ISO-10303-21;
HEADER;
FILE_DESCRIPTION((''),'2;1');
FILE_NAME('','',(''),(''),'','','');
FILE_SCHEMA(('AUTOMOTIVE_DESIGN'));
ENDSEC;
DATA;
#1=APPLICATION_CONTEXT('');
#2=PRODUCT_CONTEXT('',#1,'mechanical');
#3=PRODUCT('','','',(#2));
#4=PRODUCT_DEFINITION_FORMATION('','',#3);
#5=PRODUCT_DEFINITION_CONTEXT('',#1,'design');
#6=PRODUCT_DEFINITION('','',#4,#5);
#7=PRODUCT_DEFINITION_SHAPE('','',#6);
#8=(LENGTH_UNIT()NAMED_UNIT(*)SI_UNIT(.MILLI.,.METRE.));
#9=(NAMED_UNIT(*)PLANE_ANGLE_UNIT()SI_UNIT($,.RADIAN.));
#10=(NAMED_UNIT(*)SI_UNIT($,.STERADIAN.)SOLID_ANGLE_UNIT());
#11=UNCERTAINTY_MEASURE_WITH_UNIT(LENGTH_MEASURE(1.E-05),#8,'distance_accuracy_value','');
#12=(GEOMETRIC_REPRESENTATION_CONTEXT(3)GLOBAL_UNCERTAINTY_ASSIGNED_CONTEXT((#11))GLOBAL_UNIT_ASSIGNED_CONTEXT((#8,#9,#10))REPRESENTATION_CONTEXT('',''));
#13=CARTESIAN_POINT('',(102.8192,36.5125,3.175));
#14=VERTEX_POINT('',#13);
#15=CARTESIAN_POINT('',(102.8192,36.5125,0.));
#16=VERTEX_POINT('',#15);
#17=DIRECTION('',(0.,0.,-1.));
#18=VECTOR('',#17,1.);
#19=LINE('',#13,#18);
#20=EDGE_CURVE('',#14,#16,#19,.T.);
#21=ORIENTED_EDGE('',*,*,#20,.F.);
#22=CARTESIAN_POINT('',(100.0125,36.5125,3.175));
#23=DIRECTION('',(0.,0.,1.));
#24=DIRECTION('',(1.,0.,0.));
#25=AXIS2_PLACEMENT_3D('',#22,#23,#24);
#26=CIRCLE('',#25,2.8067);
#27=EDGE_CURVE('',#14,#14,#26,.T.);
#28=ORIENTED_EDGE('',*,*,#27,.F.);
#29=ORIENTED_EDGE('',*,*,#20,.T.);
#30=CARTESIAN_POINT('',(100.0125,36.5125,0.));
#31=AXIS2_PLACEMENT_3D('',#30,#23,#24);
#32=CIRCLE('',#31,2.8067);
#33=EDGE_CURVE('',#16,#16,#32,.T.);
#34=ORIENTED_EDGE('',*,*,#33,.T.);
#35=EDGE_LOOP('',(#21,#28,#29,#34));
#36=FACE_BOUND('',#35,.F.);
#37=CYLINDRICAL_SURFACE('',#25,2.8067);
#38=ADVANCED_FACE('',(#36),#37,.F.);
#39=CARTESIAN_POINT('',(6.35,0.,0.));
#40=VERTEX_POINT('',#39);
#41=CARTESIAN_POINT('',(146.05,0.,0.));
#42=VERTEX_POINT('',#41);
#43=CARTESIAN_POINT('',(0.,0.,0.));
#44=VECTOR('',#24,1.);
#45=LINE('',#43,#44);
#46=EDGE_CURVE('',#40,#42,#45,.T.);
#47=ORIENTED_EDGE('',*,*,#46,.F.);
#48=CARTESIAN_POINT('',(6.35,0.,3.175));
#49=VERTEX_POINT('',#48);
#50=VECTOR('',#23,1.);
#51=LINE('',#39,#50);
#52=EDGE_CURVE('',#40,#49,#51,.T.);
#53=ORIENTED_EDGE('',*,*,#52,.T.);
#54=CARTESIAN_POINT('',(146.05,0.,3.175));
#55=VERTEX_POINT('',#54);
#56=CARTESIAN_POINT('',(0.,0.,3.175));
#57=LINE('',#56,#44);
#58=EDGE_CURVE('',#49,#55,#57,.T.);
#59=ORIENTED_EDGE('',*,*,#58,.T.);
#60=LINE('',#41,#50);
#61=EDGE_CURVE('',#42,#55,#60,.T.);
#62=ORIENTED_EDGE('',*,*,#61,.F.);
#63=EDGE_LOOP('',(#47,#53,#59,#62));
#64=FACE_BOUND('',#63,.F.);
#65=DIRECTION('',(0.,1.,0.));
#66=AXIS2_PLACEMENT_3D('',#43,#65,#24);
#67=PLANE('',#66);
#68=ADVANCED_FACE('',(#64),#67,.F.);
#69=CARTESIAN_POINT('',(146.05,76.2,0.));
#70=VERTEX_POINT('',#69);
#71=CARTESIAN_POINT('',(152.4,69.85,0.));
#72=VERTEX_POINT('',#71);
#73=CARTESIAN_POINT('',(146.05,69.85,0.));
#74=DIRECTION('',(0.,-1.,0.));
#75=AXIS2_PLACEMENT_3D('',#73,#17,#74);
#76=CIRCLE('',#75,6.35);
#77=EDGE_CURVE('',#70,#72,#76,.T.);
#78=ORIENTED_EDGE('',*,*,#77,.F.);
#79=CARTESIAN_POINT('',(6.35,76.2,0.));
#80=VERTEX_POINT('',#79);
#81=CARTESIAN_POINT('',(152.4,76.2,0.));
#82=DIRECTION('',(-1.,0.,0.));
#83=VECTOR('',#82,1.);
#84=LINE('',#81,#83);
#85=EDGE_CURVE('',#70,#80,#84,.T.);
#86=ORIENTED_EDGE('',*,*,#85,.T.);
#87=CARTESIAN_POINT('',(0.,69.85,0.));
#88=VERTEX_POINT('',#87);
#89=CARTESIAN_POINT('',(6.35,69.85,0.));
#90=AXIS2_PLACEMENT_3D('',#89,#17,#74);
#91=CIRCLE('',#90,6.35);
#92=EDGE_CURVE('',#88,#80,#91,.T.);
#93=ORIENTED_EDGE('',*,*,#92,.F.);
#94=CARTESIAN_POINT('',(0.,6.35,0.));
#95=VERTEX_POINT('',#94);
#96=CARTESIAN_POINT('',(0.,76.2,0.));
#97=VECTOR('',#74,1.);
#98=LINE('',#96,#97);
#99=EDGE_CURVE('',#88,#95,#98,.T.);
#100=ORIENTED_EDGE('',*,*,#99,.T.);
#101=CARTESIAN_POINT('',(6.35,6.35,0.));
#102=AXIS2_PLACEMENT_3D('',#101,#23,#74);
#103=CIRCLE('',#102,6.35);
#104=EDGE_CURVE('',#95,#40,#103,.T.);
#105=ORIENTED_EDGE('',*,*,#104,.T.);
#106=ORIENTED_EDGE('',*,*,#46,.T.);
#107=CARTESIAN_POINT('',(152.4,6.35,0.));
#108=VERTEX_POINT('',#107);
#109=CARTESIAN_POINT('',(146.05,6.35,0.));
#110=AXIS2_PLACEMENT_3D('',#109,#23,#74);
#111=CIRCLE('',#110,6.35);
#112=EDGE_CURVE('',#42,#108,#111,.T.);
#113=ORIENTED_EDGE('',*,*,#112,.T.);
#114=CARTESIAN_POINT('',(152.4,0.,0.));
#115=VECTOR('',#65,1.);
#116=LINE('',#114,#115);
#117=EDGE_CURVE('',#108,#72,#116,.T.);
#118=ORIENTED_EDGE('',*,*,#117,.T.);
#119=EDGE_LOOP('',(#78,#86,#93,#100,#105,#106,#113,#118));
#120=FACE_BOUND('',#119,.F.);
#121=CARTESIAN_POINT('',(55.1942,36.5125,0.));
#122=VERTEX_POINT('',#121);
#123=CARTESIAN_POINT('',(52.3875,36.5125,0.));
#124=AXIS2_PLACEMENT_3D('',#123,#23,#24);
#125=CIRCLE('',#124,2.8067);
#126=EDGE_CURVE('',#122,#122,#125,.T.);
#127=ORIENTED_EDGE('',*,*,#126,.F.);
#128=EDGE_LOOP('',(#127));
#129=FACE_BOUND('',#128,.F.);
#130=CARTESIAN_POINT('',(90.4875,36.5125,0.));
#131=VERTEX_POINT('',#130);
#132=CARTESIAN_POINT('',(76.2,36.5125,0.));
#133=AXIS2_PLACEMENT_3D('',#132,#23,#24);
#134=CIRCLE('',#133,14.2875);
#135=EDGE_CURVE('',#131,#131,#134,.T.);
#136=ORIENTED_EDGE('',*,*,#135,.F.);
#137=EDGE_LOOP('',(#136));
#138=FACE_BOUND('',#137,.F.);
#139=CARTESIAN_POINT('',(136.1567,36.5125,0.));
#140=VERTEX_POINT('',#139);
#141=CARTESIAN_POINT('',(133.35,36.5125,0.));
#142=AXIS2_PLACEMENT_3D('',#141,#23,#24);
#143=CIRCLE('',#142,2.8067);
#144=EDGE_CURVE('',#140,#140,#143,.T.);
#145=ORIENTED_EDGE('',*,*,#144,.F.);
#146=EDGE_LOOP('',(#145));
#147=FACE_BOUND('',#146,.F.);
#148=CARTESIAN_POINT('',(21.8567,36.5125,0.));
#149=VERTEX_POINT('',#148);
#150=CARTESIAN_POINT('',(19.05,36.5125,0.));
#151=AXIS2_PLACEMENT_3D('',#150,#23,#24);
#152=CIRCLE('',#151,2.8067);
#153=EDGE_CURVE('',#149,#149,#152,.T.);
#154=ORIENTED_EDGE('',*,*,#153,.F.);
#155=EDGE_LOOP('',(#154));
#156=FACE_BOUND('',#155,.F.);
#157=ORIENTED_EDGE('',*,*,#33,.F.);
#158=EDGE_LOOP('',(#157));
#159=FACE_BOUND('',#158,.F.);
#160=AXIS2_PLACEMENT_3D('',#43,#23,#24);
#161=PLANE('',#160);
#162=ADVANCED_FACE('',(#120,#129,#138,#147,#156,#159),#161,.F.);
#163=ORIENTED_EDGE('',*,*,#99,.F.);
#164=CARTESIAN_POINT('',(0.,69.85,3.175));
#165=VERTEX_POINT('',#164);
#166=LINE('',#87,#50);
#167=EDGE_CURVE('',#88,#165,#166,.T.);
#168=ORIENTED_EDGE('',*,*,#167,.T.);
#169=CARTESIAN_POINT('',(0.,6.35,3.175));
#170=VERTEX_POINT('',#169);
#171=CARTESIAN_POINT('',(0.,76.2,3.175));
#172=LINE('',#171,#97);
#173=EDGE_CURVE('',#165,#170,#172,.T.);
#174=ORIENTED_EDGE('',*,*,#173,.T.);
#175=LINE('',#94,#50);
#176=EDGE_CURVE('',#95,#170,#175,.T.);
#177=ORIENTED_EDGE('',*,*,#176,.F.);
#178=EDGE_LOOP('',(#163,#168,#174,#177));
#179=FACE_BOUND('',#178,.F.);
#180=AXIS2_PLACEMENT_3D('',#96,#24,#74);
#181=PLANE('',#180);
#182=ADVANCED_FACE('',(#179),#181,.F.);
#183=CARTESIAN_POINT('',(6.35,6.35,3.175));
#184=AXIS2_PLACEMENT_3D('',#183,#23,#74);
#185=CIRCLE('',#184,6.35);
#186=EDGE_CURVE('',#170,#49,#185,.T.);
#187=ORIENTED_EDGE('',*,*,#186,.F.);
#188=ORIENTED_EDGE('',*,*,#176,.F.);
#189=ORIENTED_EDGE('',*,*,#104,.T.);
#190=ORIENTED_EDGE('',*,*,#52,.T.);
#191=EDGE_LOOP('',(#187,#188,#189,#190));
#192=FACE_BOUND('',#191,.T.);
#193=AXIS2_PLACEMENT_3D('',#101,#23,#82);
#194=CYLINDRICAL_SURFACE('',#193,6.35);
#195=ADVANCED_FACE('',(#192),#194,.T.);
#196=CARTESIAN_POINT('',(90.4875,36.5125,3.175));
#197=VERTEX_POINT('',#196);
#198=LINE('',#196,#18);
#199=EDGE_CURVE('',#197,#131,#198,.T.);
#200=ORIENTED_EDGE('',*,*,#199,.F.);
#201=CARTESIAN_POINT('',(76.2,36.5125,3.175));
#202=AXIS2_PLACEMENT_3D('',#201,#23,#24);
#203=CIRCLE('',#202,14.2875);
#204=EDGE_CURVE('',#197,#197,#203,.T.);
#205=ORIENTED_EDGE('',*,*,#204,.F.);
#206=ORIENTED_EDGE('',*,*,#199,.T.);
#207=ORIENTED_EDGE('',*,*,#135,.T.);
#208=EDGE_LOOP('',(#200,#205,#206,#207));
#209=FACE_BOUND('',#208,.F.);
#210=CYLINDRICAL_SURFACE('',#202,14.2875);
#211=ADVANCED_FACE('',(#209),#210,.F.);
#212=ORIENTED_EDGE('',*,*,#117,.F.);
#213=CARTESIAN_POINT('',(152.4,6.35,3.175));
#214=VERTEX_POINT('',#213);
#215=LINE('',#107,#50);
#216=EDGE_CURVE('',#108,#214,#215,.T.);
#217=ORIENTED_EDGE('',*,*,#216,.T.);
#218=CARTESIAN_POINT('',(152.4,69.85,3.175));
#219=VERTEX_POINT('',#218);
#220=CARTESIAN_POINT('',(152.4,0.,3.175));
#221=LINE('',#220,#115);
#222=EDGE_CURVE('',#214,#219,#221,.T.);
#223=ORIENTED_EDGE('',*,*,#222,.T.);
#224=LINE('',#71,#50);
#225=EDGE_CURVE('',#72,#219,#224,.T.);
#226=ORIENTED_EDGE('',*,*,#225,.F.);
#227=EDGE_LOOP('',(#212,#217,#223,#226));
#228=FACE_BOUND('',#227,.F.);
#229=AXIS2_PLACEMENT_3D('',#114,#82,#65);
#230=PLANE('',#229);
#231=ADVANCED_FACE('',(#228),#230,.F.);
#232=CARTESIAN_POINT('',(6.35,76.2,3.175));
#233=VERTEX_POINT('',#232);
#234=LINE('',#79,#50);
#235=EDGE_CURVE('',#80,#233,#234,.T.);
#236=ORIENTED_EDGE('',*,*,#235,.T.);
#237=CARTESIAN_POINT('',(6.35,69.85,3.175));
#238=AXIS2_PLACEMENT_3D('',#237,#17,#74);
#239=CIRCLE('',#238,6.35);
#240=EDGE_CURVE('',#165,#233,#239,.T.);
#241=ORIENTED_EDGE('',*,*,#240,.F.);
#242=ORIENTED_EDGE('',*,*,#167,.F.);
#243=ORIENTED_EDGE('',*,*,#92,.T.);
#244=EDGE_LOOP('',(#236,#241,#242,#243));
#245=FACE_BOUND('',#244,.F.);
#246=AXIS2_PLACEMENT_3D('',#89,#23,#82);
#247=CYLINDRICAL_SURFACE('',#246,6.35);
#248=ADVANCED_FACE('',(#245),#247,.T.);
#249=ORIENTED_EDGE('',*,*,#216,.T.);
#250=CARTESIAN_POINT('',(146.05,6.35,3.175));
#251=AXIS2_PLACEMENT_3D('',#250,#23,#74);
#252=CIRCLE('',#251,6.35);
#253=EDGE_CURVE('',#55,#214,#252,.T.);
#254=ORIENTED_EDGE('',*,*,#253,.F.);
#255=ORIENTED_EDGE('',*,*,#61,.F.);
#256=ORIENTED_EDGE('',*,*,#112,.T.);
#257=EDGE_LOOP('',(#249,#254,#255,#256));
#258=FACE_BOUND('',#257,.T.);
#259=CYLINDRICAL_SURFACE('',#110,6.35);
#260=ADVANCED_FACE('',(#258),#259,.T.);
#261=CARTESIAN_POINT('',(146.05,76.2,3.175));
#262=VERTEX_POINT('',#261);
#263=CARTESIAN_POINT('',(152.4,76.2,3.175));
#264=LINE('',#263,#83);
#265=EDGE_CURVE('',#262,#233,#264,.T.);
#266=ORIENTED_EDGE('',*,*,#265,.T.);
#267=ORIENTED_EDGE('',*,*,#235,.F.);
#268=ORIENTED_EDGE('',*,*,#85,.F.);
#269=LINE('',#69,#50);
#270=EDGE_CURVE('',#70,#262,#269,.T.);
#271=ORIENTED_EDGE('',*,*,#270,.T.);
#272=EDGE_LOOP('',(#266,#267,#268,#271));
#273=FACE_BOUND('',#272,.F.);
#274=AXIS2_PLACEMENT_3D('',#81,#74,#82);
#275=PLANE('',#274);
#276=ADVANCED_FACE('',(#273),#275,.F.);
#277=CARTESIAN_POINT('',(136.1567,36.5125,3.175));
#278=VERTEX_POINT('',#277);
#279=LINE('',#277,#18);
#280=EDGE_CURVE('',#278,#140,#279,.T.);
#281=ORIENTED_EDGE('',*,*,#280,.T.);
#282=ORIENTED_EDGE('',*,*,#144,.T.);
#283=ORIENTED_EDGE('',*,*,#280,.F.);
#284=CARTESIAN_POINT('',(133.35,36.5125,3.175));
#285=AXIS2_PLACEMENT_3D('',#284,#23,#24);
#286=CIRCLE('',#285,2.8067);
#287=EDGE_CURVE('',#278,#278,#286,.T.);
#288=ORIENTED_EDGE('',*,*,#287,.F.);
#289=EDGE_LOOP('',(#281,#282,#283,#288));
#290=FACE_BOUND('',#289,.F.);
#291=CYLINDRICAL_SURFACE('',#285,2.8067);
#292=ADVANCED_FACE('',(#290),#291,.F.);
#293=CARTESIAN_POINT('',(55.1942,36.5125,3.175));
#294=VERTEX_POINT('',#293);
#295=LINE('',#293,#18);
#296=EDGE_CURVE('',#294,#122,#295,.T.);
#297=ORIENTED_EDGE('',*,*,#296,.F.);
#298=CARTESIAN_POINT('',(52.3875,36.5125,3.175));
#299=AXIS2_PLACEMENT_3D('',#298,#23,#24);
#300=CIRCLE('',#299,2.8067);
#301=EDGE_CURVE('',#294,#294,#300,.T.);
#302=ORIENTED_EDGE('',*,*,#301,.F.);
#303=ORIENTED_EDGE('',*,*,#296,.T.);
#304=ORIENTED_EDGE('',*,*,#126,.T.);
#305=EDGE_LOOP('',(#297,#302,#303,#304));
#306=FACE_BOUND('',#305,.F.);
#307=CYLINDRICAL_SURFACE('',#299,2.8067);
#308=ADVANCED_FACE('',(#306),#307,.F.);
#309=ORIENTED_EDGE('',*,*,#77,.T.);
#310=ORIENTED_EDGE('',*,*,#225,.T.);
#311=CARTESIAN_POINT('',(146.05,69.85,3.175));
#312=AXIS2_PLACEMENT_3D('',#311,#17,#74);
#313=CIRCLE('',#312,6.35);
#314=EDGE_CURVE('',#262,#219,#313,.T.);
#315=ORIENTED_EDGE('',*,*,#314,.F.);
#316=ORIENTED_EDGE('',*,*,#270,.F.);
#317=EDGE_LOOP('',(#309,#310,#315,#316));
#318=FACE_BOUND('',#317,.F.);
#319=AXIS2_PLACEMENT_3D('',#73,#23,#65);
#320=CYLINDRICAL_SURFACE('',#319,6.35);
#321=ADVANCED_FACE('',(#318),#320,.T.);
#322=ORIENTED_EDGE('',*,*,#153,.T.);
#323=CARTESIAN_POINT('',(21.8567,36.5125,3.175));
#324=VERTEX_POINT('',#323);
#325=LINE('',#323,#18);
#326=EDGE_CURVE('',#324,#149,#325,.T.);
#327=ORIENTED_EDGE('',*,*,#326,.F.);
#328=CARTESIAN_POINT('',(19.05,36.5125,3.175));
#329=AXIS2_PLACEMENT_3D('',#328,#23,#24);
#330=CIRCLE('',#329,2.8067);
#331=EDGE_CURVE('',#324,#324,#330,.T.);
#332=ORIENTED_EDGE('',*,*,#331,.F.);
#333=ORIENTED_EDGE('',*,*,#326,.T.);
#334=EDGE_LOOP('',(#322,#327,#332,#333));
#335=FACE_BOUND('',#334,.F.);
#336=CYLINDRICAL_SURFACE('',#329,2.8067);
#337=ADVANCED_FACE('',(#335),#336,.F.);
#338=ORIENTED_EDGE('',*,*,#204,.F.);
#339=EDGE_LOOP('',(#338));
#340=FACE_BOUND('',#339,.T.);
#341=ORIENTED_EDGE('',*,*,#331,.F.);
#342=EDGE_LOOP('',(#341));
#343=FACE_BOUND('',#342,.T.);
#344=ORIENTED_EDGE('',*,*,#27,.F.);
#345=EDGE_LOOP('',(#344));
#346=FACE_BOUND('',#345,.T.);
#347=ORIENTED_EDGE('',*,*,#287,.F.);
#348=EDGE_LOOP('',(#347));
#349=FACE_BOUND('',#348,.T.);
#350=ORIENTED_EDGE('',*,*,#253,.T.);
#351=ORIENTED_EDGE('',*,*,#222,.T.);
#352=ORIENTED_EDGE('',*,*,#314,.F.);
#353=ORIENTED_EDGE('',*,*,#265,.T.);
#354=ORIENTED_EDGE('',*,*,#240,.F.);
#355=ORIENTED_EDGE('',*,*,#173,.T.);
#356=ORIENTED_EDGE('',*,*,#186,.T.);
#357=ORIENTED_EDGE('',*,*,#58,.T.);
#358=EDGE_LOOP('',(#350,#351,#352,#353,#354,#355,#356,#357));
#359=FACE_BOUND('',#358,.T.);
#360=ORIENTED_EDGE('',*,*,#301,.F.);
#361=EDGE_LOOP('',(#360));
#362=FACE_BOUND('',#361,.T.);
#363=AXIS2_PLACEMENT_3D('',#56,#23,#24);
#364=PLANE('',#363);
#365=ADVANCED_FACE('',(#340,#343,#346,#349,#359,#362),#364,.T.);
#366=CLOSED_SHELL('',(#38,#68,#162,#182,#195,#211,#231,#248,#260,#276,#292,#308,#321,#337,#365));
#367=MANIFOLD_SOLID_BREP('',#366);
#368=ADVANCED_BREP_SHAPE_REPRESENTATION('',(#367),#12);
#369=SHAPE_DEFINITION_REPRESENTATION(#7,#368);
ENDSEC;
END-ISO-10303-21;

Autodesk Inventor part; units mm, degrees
ref_plane "YZ Plane" through (0, 0, 0) normal (1, 0, 0) x (0, 1, 0)
ref_plane "XZ Plane" through (0, 0, 0) normal (0, 1, 0) x (-1, 0, 0)
ref_plane "XY Plane" through (0, 0, 0) normal (0, 0, 1) x (1, 0, 0)
sketch "Sketch1" plane through (0, 0, 0) normal (0, 0, 1) x (1, 0, 0)
  line L0 (0, 0) -> (152.4, 0)
  line L1 (152.4, 0) -> (152.4, 76.2)
  line L2 (152.4, 76.2) -> (0, 76.2)
  line L3 (0, 76.2) -> (0, 0)
  dimension "d0" = 152.4
  dimension "d1" = 76.2
extrude "Extrusion1" add sketch "Sketch1" along normal blind 3.175
sketch "Sketch2" plane through (0, 0, 3.175) normal (0, 0, 1) x (1, 0, 0)
  line L0 (152.4, 76.2) -> (0, 76.2) projected
  line L1 (0, 76.2) -> (0, 0) projected
  circle A0 centre (52.3875, 36.5125) radius 2.8067
  circle A1 centre (100.0125, 36.5125) radius 2.8067
  circle A2 centre (19.05, 36.5125) radius 2.8067
  circle A3 centre (133.35, 36.5125) radius 2.8067
  circle A4 centre (76.2, 36.5125) radius 14.2875
  line L2 (0, 0) -> (152.4, 0) projected
  dimension "d8" = 5.6134
  dimension "d9" = 5.6134
  dimension "d11" = 5.6134
  dimension "d12" = 5.6134
  dimension "d22" = 28.575
  dimension "d23" = 76.2
  dimension "d24" = 36.5125
  dimension "d25" = 36.5125
  dimension "d26" = 36.5125
  dimension "d27" = 36.5125
  dimension "d28" = 36.5125
extrude "Extrusion3" cut sketch "Sketch2" against normal blind 25.4
fillet "Fillet2" radius 6.35 4 edges at (152.4, 0, 1.5875) (152.4, 76.2, 1.5875) (0, 76.2, 1.5875) (0, 0, 1.5875)
properties part number "GearboxPlate" material "Aluminum 6061"
